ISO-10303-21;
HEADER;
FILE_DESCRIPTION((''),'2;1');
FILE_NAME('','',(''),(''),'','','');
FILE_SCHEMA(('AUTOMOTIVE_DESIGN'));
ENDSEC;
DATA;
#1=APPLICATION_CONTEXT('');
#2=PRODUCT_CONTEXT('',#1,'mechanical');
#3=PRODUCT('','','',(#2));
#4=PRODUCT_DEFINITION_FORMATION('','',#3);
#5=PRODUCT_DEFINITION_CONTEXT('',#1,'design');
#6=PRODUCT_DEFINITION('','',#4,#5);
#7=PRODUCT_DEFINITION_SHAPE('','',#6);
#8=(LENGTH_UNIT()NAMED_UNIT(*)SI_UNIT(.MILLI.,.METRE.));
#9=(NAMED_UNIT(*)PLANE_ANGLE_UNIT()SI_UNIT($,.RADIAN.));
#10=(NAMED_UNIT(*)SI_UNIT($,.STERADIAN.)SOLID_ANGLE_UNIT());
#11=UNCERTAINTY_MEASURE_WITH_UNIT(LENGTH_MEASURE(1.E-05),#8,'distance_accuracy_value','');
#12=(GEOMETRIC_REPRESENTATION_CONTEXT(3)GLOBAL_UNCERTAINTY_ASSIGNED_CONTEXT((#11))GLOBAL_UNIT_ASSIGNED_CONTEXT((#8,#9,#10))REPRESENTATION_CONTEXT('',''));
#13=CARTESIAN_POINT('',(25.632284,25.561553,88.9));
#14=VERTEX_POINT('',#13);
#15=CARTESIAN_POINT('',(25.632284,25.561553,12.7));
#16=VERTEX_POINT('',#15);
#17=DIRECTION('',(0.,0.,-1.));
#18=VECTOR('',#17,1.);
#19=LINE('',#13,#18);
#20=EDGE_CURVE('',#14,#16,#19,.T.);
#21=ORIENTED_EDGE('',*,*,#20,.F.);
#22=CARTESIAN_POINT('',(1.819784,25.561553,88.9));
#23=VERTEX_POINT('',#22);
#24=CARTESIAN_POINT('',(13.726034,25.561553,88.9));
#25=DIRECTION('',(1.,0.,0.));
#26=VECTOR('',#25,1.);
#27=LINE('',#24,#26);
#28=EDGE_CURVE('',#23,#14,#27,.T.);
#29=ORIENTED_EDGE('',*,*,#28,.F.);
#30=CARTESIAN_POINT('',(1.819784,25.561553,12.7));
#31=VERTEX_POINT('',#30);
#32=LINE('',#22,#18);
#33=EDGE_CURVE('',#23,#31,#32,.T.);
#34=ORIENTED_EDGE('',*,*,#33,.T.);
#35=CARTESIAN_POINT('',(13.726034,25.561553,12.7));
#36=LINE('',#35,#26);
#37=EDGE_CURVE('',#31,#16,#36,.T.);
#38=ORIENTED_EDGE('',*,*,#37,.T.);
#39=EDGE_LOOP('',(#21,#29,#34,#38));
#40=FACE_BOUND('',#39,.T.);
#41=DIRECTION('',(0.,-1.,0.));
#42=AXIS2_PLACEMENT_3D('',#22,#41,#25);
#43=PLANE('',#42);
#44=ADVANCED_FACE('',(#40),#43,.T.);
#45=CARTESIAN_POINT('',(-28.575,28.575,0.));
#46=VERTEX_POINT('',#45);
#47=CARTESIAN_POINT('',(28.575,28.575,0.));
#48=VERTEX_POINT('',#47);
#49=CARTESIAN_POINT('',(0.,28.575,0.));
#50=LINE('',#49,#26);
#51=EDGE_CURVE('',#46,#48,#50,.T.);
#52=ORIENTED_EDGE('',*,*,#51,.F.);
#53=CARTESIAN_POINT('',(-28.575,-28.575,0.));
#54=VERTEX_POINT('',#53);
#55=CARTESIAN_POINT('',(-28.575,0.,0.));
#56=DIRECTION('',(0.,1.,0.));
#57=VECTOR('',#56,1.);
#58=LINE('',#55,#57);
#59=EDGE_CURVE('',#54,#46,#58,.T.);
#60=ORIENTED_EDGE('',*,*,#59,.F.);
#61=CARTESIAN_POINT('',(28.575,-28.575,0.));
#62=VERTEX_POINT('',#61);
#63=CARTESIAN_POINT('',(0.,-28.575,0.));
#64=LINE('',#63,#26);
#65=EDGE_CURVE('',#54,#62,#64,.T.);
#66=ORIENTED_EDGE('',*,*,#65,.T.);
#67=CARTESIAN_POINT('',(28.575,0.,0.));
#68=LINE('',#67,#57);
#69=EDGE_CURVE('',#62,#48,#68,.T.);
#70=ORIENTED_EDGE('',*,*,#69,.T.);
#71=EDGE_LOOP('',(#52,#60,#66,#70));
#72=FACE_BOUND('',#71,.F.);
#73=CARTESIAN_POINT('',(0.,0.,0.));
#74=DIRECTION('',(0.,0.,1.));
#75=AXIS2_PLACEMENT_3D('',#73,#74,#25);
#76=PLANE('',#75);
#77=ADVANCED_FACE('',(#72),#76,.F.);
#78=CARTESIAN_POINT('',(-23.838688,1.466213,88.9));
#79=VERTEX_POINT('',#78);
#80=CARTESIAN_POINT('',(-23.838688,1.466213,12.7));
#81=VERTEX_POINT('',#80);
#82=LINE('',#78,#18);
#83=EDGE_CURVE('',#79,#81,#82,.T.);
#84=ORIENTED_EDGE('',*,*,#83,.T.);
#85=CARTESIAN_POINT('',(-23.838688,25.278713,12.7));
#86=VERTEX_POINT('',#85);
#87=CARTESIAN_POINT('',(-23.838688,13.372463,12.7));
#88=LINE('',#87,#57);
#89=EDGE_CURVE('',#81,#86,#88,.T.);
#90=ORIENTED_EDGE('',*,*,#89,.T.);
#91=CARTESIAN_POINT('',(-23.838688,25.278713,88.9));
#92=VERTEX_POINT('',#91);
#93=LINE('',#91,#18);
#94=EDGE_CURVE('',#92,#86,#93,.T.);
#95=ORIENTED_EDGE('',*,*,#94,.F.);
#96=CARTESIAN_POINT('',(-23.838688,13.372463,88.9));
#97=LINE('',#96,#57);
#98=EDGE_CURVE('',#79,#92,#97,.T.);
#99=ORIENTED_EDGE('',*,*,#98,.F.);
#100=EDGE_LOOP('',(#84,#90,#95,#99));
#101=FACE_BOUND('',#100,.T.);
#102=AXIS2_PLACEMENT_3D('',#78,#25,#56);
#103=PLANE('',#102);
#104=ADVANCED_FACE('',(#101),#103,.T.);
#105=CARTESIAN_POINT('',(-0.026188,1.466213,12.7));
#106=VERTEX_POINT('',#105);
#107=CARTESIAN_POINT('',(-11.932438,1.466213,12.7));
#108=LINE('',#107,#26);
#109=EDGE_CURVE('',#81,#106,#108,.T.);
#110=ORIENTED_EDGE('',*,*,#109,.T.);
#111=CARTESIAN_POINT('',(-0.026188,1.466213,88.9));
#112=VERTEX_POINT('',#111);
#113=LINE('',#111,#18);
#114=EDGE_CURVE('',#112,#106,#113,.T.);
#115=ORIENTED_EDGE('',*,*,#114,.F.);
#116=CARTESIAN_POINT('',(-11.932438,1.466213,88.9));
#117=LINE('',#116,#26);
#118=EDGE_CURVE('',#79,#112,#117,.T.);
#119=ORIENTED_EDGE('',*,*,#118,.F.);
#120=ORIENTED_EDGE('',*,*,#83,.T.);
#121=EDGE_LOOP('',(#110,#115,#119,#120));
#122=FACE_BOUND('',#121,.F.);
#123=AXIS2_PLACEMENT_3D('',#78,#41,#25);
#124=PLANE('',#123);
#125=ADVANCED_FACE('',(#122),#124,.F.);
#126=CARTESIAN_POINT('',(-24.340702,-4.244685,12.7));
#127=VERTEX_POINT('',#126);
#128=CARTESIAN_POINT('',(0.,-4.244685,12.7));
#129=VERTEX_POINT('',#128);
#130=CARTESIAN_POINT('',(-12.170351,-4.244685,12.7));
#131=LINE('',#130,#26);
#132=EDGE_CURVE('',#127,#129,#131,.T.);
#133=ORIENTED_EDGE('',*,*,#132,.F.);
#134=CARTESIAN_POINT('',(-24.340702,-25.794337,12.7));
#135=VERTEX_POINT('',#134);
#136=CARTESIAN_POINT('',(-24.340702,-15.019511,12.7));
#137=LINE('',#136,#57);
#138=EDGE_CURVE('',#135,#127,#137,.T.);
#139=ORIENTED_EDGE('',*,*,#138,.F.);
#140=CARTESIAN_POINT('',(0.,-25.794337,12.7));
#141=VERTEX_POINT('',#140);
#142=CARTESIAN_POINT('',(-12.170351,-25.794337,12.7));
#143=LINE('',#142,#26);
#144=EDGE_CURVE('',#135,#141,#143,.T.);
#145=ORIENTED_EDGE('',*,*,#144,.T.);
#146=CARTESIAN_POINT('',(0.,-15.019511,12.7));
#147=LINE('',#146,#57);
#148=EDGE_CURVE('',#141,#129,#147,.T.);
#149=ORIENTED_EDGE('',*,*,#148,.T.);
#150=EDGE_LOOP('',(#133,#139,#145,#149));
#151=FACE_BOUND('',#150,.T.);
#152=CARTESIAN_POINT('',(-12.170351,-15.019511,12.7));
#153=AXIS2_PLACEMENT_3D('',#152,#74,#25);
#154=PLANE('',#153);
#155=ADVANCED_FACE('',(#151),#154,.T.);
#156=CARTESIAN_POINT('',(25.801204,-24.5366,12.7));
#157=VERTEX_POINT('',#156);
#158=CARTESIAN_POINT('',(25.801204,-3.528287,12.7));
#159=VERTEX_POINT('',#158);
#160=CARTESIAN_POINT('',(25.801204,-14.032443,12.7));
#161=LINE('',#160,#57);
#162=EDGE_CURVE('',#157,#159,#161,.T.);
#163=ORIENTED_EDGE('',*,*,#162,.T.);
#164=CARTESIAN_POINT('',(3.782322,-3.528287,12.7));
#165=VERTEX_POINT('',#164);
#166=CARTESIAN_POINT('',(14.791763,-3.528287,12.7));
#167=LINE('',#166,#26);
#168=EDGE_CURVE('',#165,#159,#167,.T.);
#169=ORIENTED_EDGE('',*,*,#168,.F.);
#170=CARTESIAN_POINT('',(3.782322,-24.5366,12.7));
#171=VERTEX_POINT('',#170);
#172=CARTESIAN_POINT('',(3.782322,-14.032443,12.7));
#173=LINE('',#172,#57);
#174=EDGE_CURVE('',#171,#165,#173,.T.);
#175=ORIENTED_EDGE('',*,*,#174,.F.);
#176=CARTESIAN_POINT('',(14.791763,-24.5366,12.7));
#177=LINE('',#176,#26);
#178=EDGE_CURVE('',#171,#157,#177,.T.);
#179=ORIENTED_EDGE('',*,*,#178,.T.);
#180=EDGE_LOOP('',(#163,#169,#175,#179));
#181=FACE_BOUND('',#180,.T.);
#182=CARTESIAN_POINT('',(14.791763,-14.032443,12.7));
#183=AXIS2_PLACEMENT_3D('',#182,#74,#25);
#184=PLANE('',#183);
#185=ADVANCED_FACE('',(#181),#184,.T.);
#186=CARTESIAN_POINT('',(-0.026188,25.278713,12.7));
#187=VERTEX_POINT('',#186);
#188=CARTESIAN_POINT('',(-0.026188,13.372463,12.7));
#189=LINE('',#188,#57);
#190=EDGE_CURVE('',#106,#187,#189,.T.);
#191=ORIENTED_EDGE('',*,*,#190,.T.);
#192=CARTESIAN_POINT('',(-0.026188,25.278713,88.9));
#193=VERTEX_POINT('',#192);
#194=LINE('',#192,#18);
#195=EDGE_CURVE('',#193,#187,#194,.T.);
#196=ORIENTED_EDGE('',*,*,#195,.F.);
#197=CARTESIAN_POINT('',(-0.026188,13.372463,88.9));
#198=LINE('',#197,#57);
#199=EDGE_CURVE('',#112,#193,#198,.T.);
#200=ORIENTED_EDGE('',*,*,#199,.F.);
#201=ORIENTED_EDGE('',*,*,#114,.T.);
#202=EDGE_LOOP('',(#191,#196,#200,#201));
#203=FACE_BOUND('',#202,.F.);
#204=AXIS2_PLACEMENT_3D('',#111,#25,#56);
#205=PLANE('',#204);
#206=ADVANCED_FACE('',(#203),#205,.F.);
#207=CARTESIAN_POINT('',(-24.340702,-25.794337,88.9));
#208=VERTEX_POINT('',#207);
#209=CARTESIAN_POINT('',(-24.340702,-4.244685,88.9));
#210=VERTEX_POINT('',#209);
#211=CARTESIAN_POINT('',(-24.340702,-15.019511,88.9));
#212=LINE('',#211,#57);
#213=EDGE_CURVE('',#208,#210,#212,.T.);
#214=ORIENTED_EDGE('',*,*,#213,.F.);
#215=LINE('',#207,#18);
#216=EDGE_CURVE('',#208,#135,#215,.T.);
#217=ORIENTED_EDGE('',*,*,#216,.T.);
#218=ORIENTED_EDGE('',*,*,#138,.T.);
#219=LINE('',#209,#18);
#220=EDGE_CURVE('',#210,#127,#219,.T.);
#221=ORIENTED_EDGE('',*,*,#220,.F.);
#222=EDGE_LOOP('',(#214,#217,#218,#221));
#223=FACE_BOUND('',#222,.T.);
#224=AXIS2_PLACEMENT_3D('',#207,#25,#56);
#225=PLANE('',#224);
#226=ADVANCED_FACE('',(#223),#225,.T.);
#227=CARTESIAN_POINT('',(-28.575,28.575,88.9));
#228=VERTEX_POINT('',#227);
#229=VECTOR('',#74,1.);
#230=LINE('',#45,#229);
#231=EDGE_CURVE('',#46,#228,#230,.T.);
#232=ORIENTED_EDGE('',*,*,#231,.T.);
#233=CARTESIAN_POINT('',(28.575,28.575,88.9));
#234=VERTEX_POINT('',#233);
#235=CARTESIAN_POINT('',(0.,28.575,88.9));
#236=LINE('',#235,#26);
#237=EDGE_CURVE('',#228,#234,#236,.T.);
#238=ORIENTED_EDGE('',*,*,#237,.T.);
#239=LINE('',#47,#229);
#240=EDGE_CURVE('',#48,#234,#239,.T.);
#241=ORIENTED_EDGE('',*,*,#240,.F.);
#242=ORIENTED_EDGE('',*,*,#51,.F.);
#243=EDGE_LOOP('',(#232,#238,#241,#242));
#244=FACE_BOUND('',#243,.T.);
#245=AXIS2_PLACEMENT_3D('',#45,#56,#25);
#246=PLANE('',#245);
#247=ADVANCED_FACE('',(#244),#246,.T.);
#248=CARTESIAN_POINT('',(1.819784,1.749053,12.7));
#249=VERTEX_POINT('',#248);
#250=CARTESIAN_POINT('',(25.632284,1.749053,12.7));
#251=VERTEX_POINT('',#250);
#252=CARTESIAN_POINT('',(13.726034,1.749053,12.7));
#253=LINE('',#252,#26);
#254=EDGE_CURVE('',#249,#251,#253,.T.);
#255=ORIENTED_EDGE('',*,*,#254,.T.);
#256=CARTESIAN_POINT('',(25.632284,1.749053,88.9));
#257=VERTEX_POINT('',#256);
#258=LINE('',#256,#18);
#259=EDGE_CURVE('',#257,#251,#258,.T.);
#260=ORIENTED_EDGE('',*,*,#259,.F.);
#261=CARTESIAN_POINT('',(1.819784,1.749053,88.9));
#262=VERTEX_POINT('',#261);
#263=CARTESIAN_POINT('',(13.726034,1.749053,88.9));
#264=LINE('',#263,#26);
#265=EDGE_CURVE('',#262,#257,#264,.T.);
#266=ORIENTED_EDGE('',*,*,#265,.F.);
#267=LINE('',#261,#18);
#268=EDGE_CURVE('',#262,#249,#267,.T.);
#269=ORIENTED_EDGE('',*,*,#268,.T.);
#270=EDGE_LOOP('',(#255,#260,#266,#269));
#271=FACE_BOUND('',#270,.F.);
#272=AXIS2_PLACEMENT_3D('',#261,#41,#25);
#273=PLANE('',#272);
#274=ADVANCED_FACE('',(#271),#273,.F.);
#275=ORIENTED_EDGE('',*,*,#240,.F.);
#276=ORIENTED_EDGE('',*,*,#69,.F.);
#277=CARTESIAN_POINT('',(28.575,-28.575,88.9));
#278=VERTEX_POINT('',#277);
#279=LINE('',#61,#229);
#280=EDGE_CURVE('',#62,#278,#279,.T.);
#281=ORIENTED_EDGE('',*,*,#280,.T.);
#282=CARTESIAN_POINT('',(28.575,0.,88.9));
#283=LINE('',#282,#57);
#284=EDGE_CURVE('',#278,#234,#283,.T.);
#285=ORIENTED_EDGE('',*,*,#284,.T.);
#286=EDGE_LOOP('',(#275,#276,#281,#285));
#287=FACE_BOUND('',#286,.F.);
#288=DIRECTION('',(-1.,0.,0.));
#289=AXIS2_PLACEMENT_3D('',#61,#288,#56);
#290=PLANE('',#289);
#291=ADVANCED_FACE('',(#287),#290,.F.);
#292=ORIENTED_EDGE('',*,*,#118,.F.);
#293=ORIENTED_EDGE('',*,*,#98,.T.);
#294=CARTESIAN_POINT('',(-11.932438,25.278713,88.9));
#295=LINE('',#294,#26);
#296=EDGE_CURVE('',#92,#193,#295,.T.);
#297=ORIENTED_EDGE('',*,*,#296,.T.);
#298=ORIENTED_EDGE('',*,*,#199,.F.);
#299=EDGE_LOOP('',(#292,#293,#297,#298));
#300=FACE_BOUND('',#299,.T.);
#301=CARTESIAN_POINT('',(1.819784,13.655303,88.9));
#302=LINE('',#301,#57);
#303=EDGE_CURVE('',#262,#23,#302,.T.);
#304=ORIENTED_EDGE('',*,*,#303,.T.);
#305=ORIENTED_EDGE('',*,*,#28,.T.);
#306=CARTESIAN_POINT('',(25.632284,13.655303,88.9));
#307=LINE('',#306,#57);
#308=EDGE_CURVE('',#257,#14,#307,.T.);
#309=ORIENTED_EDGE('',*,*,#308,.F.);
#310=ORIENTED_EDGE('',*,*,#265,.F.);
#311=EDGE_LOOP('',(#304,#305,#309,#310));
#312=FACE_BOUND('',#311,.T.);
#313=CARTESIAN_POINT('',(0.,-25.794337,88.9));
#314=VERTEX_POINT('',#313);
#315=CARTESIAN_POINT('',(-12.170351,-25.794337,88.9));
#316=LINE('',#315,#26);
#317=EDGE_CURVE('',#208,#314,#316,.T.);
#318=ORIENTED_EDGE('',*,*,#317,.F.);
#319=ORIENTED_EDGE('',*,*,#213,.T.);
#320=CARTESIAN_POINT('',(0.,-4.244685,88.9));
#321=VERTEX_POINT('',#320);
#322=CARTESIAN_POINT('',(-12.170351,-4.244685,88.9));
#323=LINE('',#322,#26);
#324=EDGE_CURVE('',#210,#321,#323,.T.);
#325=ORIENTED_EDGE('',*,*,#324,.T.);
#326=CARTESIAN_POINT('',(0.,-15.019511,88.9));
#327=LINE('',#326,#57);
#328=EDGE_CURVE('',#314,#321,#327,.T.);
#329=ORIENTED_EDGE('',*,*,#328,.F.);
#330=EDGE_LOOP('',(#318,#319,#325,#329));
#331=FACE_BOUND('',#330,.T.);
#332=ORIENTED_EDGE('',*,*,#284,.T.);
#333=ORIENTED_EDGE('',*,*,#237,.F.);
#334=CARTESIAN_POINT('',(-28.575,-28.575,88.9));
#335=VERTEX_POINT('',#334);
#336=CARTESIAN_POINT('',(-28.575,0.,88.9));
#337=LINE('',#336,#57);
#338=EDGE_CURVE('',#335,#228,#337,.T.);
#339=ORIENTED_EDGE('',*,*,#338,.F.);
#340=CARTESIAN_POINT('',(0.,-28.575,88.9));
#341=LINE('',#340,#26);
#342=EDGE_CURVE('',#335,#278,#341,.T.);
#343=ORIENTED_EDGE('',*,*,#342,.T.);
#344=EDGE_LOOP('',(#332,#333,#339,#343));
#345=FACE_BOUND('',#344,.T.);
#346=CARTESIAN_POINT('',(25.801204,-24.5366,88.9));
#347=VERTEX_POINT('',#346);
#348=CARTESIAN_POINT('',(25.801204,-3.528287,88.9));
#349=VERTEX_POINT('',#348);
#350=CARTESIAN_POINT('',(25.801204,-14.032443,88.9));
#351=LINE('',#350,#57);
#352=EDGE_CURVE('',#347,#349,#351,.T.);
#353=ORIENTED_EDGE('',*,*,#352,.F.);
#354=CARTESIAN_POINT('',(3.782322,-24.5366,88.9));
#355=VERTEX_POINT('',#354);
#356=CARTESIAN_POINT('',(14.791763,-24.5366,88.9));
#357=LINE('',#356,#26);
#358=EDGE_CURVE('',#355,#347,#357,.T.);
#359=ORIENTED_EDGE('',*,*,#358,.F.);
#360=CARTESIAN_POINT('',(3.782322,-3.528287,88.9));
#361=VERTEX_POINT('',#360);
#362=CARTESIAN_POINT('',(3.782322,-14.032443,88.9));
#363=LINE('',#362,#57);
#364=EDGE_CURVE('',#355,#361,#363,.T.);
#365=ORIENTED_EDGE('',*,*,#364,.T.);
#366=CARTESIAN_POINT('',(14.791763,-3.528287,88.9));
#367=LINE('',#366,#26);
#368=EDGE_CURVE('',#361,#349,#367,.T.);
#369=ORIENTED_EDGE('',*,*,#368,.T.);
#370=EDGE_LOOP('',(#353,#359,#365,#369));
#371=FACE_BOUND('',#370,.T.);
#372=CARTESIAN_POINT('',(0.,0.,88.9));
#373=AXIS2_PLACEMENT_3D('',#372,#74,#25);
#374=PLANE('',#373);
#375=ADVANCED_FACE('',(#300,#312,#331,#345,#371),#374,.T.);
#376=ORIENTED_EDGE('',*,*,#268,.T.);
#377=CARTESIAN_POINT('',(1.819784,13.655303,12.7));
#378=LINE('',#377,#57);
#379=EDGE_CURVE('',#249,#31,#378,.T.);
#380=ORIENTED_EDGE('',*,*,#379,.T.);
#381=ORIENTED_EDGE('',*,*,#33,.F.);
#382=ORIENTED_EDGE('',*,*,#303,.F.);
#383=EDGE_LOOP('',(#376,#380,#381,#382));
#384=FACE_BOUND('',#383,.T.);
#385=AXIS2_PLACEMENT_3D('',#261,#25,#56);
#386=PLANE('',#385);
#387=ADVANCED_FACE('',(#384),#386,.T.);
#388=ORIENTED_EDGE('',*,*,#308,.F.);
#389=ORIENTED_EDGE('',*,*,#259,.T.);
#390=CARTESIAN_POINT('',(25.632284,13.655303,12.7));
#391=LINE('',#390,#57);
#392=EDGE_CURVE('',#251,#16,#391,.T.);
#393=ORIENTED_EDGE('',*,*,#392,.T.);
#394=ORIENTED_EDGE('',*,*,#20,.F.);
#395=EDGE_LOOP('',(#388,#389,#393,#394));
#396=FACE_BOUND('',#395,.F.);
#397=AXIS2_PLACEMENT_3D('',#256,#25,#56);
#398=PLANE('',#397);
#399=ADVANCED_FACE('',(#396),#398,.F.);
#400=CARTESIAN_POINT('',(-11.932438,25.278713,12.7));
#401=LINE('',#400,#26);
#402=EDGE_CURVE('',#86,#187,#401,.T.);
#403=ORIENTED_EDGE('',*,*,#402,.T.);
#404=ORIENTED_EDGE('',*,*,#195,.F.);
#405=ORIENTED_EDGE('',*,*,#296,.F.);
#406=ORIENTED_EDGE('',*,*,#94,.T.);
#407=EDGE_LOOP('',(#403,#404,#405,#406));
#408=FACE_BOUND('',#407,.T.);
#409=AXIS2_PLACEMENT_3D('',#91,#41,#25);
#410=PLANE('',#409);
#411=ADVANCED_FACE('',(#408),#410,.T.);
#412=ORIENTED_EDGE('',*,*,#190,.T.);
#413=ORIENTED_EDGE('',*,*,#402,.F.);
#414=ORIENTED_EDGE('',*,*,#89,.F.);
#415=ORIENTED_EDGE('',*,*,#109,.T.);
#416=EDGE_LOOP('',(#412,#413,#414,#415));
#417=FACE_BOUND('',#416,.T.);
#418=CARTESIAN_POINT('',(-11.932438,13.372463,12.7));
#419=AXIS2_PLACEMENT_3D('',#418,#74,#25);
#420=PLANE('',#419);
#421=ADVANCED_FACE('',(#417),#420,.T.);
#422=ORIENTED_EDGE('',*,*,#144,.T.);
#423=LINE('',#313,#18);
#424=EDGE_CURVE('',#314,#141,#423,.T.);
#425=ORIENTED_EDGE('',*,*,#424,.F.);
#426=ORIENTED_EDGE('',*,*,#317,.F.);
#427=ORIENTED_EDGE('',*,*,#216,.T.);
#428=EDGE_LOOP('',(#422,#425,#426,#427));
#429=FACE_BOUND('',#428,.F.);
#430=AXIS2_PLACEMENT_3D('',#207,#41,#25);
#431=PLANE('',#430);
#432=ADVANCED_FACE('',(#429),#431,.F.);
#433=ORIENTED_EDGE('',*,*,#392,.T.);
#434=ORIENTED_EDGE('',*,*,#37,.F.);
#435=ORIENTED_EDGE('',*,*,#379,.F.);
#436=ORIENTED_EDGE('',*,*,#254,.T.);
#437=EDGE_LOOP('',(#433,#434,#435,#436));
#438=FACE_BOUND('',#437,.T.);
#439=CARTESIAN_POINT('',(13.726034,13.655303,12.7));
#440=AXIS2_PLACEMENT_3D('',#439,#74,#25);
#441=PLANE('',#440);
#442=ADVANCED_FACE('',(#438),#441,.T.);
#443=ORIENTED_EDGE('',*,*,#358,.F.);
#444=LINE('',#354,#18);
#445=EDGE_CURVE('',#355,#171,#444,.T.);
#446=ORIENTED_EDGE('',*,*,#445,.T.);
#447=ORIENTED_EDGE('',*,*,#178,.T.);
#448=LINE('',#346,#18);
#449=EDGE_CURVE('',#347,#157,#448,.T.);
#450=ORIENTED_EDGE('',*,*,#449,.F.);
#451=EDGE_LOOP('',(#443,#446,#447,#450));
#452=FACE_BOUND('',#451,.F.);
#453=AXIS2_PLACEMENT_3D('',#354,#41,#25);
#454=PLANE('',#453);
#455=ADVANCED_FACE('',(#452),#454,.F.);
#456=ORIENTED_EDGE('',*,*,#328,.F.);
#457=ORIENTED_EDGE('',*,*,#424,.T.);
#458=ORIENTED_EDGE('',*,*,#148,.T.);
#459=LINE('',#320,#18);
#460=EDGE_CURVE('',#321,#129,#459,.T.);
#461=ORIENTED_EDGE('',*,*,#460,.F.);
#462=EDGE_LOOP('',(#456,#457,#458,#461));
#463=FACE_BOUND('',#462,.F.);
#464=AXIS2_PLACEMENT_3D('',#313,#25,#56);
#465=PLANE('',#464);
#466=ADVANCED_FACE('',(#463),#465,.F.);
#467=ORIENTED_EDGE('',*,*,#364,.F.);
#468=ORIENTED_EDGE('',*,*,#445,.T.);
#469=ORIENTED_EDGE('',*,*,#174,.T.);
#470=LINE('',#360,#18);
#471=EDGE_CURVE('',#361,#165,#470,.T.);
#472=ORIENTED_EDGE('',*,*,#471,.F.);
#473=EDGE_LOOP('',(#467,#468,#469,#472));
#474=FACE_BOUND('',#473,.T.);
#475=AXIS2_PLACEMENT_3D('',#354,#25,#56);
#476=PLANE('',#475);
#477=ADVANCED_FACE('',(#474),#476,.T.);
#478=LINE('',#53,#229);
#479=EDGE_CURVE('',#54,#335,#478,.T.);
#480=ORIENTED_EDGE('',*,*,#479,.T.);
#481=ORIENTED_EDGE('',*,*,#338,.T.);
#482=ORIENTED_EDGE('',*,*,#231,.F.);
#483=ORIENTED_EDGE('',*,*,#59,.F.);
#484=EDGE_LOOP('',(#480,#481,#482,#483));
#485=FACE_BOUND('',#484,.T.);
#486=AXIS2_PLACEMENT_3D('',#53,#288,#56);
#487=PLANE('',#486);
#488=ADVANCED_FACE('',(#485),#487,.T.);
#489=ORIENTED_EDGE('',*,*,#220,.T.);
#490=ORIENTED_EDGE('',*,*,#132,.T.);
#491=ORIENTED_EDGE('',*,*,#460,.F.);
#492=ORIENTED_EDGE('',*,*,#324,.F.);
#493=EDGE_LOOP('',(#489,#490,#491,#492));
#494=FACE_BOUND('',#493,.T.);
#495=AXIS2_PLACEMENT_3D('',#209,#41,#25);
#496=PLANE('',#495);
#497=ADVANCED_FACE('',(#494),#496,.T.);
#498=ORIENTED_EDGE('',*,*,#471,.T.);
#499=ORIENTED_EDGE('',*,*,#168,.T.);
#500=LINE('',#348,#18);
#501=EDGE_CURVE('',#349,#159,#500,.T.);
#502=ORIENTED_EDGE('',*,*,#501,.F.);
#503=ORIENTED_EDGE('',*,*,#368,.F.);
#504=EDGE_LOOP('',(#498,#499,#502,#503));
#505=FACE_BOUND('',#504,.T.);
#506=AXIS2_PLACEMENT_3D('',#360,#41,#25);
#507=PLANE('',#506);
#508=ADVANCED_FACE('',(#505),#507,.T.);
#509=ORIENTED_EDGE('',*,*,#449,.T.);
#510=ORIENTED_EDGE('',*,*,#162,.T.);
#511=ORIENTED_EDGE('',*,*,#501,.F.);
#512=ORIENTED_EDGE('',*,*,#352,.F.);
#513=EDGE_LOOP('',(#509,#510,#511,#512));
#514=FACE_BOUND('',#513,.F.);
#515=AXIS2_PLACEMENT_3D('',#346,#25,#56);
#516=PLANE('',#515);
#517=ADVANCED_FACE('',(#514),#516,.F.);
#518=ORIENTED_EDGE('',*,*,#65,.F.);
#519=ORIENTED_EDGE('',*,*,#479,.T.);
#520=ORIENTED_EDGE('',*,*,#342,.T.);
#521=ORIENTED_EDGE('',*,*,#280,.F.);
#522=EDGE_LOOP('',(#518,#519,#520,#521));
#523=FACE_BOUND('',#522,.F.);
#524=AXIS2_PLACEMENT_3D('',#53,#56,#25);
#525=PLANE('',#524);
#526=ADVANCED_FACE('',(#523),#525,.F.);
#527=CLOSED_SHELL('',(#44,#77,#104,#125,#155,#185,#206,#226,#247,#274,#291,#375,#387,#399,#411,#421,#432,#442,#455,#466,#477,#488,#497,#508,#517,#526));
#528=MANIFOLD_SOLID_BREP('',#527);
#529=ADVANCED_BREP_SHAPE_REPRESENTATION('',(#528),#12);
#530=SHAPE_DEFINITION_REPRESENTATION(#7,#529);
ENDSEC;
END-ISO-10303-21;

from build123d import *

# Parameters (mm, degrees)
F0_W     = 57.15
F0_H     = 57.15
F1_DEPTH = 88.9
F2_W     = 23.8125
F2_H     = 23.8125
F3_DEPTH = 76.2
F4_W     = 23.8125
F4_H     = 23.8125
F5_DEPTH = 76.2
F6_W     = 24.340702
F6_H     = 21.549652
F7_DEPTH = 76.2
F8_W     = 22.018882
F8_H     = 21.008313
F9_DEPTH = 76.2


with BuildPart() as f1:
    # F0 (on Top) → F1 (new body)
    with BuildSketch(Plane.XY):
        Rectangle(F0_W, F0_H)
    extrude(amount=F1_DEPTH)

    # F2 (on face) → F3 (cut)
    with BuildSketch(Plane.XY.offset(88.9)):
        with Locations((13.726034, 13.655303)):
            Rectangle(F2_W, F2_H)
    extrude(amount=-F3_DEPTH, mode=Mode.SUBTRACT)

    # F4 (on face) → F5 (cut)
    with BuildSketch(Plane.XY.offset(88.9)):
        with Locations((-11.932438, 13.372463)):
            Rectangle(F4_W, F4_H)
    extrude(amount=-F5_DEPTH, mode=Mode.SUBTRACT)

    # F6 (on face) → F7 (cut)
    with BuildSketch(Plane.XY.offset(88.9)):
        with Locations((-12.170351, -15.019511)):
            Rectangle(F6_W, F6_H)
    extrude(amount=-F7_DEPTH, mode=Mode.SUBTRACT)

    # F8 (on face) → F9 (cut)
    with BuildSketch(Plane.XY.offset(88.9)):
        with Locations((14.791763, -14.032443)):
            Rectangle(F8_W, F8_H)
    extrude(amount=-F9_DEPTH, mode=Mode.SUBTRACT)


solid = f1.part
